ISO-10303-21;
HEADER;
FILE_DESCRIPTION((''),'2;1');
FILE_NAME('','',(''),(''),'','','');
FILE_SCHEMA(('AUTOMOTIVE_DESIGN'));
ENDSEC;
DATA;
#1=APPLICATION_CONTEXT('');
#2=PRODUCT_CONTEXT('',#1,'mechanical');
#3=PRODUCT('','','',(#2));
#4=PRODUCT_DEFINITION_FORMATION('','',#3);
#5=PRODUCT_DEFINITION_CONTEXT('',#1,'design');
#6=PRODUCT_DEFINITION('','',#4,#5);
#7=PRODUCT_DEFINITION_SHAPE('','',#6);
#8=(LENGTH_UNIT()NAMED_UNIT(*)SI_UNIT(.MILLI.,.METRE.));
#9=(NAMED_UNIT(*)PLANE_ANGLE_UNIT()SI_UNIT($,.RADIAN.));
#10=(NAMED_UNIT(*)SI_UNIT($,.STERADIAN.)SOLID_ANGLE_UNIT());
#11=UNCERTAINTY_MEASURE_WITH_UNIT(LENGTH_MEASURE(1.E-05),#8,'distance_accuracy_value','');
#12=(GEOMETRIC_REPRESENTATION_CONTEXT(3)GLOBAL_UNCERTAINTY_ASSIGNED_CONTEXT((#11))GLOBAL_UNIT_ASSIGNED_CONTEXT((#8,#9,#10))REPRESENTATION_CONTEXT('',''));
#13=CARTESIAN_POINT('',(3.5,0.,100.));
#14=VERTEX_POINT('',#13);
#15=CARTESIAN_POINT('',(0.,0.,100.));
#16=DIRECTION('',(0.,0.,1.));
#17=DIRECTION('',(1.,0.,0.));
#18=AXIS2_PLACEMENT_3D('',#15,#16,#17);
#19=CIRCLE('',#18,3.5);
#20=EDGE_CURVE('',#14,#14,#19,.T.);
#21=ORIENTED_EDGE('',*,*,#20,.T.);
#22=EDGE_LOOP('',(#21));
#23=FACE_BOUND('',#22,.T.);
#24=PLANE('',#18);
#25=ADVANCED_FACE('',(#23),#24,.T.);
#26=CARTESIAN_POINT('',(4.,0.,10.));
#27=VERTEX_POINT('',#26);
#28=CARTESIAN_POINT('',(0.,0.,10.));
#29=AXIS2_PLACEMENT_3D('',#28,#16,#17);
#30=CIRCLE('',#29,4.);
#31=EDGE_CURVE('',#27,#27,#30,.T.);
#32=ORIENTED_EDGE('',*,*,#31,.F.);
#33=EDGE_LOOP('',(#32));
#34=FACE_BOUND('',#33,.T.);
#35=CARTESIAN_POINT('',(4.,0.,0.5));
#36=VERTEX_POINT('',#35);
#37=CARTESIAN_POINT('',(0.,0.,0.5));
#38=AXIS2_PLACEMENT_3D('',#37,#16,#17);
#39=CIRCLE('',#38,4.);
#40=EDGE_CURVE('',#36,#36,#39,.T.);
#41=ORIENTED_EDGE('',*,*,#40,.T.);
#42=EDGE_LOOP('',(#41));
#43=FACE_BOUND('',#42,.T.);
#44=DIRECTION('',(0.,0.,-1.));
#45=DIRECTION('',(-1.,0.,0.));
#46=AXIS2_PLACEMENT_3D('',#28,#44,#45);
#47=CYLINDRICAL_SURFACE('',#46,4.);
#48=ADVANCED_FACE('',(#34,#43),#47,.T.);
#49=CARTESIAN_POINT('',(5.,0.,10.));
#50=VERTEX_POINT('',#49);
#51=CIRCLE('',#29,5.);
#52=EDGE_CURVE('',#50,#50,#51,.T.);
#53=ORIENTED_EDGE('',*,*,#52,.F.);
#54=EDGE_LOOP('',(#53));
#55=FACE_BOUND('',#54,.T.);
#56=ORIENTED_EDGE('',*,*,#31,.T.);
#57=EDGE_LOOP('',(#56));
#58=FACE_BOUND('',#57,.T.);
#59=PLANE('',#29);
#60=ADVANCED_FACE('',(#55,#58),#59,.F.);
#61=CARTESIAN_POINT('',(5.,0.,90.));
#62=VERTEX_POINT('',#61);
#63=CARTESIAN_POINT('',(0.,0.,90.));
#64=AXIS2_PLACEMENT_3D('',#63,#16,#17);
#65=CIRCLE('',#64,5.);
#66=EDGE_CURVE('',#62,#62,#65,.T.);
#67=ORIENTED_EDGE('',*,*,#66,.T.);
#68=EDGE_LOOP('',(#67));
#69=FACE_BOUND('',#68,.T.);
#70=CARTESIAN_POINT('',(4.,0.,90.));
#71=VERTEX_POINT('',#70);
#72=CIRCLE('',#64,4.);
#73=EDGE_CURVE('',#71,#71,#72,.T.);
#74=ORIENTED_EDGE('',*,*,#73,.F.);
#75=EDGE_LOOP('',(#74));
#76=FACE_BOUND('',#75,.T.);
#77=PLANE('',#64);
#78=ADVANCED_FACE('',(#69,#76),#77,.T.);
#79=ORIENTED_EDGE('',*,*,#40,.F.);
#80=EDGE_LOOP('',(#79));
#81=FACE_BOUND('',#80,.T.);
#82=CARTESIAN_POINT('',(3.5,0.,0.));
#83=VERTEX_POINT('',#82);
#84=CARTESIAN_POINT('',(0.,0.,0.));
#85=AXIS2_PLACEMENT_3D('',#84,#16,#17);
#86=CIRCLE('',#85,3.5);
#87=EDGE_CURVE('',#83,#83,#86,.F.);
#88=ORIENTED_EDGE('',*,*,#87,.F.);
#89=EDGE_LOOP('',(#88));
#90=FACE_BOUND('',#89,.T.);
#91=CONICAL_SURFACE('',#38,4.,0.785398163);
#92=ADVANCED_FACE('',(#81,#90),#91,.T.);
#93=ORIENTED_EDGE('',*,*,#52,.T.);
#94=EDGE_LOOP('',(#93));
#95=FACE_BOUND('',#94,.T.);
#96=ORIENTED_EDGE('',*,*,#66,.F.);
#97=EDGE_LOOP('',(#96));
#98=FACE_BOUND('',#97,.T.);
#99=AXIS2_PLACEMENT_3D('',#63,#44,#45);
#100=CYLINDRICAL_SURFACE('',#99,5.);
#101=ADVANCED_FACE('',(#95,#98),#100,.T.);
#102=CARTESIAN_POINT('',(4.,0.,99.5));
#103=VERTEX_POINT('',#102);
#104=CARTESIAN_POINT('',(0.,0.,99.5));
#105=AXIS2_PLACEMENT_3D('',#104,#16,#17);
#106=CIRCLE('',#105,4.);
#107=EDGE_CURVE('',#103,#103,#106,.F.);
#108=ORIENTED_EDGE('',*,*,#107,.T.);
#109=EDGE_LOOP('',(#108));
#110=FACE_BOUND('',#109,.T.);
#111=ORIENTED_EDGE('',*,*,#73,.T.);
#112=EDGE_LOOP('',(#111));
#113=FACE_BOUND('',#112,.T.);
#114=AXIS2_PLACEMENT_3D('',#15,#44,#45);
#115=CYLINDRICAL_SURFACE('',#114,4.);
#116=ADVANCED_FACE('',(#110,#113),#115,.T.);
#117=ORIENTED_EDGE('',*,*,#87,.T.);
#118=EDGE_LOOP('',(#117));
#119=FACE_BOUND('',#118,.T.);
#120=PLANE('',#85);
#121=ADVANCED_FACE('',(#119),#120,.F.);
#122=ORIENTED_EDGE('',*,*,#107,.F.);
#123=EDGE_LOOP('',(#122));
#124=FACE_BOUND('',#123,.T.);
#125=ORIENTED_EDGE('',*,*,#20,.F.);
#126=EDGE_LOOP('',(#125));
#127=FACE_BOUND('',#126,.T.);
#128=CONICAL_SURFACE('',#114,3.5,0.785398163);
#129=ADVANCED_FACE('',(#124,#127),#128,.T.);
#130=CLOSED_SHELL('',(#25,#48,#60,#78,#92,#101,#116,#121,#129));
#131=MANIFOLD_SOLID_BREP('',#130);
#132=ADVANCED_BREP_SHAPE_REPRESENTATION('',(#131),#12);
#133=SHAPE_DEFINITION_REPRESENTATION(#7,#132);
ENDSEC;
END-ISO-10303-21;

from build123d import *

# Parameters (mm, degrees)
ESQUISSE1_R        = 4
BOSS_EXTRU_1_DEPTH = 10
ESQUISSE2_R        = 5
BOSS_EXTRU_2_DEPTH = 80
ESQUISSE3_R        = 4
BOSS_EXTRU_3_DEPTH = 10
CHANFREIN1_SIZE    = 0.5


with BuildPart() as part:
    # Esquisse1 → Boss.-Extru.1 (new body)
    with BuildSketch(Plane.XY):
        Circle(ESQUISSE1_R)
    extrude(amount=BOSS_EXTRU_1_DEPTH)

    # Esquisse2 → Boss.-Extru.2 (add)
    with BuildSketch(Plane.XY.offset(10)):
        Circle(ESQUISSE2_R)
    extrude(amount=BOSS_EXTRU_2_DEPTH)

    # Esquisse3 → Boss.-Extru.3 (add)
    with BuildSketch(Plane.XY.offset(90)):
        Circle(ESQUISSE3_R)
    extrude(amount=BOSS_EXTRU_3_DEPTH)

    # Chanfrein1
    chanfrein1_edges = [part.edges().sort_by_distance(p)[0] for p in [
        (-4, 0, 100),
        (-4, 0, 0),
    ]]
    chamfer(chanfrein1_edges, length=CHANFREIN1_SIZE)


solid = part.part
